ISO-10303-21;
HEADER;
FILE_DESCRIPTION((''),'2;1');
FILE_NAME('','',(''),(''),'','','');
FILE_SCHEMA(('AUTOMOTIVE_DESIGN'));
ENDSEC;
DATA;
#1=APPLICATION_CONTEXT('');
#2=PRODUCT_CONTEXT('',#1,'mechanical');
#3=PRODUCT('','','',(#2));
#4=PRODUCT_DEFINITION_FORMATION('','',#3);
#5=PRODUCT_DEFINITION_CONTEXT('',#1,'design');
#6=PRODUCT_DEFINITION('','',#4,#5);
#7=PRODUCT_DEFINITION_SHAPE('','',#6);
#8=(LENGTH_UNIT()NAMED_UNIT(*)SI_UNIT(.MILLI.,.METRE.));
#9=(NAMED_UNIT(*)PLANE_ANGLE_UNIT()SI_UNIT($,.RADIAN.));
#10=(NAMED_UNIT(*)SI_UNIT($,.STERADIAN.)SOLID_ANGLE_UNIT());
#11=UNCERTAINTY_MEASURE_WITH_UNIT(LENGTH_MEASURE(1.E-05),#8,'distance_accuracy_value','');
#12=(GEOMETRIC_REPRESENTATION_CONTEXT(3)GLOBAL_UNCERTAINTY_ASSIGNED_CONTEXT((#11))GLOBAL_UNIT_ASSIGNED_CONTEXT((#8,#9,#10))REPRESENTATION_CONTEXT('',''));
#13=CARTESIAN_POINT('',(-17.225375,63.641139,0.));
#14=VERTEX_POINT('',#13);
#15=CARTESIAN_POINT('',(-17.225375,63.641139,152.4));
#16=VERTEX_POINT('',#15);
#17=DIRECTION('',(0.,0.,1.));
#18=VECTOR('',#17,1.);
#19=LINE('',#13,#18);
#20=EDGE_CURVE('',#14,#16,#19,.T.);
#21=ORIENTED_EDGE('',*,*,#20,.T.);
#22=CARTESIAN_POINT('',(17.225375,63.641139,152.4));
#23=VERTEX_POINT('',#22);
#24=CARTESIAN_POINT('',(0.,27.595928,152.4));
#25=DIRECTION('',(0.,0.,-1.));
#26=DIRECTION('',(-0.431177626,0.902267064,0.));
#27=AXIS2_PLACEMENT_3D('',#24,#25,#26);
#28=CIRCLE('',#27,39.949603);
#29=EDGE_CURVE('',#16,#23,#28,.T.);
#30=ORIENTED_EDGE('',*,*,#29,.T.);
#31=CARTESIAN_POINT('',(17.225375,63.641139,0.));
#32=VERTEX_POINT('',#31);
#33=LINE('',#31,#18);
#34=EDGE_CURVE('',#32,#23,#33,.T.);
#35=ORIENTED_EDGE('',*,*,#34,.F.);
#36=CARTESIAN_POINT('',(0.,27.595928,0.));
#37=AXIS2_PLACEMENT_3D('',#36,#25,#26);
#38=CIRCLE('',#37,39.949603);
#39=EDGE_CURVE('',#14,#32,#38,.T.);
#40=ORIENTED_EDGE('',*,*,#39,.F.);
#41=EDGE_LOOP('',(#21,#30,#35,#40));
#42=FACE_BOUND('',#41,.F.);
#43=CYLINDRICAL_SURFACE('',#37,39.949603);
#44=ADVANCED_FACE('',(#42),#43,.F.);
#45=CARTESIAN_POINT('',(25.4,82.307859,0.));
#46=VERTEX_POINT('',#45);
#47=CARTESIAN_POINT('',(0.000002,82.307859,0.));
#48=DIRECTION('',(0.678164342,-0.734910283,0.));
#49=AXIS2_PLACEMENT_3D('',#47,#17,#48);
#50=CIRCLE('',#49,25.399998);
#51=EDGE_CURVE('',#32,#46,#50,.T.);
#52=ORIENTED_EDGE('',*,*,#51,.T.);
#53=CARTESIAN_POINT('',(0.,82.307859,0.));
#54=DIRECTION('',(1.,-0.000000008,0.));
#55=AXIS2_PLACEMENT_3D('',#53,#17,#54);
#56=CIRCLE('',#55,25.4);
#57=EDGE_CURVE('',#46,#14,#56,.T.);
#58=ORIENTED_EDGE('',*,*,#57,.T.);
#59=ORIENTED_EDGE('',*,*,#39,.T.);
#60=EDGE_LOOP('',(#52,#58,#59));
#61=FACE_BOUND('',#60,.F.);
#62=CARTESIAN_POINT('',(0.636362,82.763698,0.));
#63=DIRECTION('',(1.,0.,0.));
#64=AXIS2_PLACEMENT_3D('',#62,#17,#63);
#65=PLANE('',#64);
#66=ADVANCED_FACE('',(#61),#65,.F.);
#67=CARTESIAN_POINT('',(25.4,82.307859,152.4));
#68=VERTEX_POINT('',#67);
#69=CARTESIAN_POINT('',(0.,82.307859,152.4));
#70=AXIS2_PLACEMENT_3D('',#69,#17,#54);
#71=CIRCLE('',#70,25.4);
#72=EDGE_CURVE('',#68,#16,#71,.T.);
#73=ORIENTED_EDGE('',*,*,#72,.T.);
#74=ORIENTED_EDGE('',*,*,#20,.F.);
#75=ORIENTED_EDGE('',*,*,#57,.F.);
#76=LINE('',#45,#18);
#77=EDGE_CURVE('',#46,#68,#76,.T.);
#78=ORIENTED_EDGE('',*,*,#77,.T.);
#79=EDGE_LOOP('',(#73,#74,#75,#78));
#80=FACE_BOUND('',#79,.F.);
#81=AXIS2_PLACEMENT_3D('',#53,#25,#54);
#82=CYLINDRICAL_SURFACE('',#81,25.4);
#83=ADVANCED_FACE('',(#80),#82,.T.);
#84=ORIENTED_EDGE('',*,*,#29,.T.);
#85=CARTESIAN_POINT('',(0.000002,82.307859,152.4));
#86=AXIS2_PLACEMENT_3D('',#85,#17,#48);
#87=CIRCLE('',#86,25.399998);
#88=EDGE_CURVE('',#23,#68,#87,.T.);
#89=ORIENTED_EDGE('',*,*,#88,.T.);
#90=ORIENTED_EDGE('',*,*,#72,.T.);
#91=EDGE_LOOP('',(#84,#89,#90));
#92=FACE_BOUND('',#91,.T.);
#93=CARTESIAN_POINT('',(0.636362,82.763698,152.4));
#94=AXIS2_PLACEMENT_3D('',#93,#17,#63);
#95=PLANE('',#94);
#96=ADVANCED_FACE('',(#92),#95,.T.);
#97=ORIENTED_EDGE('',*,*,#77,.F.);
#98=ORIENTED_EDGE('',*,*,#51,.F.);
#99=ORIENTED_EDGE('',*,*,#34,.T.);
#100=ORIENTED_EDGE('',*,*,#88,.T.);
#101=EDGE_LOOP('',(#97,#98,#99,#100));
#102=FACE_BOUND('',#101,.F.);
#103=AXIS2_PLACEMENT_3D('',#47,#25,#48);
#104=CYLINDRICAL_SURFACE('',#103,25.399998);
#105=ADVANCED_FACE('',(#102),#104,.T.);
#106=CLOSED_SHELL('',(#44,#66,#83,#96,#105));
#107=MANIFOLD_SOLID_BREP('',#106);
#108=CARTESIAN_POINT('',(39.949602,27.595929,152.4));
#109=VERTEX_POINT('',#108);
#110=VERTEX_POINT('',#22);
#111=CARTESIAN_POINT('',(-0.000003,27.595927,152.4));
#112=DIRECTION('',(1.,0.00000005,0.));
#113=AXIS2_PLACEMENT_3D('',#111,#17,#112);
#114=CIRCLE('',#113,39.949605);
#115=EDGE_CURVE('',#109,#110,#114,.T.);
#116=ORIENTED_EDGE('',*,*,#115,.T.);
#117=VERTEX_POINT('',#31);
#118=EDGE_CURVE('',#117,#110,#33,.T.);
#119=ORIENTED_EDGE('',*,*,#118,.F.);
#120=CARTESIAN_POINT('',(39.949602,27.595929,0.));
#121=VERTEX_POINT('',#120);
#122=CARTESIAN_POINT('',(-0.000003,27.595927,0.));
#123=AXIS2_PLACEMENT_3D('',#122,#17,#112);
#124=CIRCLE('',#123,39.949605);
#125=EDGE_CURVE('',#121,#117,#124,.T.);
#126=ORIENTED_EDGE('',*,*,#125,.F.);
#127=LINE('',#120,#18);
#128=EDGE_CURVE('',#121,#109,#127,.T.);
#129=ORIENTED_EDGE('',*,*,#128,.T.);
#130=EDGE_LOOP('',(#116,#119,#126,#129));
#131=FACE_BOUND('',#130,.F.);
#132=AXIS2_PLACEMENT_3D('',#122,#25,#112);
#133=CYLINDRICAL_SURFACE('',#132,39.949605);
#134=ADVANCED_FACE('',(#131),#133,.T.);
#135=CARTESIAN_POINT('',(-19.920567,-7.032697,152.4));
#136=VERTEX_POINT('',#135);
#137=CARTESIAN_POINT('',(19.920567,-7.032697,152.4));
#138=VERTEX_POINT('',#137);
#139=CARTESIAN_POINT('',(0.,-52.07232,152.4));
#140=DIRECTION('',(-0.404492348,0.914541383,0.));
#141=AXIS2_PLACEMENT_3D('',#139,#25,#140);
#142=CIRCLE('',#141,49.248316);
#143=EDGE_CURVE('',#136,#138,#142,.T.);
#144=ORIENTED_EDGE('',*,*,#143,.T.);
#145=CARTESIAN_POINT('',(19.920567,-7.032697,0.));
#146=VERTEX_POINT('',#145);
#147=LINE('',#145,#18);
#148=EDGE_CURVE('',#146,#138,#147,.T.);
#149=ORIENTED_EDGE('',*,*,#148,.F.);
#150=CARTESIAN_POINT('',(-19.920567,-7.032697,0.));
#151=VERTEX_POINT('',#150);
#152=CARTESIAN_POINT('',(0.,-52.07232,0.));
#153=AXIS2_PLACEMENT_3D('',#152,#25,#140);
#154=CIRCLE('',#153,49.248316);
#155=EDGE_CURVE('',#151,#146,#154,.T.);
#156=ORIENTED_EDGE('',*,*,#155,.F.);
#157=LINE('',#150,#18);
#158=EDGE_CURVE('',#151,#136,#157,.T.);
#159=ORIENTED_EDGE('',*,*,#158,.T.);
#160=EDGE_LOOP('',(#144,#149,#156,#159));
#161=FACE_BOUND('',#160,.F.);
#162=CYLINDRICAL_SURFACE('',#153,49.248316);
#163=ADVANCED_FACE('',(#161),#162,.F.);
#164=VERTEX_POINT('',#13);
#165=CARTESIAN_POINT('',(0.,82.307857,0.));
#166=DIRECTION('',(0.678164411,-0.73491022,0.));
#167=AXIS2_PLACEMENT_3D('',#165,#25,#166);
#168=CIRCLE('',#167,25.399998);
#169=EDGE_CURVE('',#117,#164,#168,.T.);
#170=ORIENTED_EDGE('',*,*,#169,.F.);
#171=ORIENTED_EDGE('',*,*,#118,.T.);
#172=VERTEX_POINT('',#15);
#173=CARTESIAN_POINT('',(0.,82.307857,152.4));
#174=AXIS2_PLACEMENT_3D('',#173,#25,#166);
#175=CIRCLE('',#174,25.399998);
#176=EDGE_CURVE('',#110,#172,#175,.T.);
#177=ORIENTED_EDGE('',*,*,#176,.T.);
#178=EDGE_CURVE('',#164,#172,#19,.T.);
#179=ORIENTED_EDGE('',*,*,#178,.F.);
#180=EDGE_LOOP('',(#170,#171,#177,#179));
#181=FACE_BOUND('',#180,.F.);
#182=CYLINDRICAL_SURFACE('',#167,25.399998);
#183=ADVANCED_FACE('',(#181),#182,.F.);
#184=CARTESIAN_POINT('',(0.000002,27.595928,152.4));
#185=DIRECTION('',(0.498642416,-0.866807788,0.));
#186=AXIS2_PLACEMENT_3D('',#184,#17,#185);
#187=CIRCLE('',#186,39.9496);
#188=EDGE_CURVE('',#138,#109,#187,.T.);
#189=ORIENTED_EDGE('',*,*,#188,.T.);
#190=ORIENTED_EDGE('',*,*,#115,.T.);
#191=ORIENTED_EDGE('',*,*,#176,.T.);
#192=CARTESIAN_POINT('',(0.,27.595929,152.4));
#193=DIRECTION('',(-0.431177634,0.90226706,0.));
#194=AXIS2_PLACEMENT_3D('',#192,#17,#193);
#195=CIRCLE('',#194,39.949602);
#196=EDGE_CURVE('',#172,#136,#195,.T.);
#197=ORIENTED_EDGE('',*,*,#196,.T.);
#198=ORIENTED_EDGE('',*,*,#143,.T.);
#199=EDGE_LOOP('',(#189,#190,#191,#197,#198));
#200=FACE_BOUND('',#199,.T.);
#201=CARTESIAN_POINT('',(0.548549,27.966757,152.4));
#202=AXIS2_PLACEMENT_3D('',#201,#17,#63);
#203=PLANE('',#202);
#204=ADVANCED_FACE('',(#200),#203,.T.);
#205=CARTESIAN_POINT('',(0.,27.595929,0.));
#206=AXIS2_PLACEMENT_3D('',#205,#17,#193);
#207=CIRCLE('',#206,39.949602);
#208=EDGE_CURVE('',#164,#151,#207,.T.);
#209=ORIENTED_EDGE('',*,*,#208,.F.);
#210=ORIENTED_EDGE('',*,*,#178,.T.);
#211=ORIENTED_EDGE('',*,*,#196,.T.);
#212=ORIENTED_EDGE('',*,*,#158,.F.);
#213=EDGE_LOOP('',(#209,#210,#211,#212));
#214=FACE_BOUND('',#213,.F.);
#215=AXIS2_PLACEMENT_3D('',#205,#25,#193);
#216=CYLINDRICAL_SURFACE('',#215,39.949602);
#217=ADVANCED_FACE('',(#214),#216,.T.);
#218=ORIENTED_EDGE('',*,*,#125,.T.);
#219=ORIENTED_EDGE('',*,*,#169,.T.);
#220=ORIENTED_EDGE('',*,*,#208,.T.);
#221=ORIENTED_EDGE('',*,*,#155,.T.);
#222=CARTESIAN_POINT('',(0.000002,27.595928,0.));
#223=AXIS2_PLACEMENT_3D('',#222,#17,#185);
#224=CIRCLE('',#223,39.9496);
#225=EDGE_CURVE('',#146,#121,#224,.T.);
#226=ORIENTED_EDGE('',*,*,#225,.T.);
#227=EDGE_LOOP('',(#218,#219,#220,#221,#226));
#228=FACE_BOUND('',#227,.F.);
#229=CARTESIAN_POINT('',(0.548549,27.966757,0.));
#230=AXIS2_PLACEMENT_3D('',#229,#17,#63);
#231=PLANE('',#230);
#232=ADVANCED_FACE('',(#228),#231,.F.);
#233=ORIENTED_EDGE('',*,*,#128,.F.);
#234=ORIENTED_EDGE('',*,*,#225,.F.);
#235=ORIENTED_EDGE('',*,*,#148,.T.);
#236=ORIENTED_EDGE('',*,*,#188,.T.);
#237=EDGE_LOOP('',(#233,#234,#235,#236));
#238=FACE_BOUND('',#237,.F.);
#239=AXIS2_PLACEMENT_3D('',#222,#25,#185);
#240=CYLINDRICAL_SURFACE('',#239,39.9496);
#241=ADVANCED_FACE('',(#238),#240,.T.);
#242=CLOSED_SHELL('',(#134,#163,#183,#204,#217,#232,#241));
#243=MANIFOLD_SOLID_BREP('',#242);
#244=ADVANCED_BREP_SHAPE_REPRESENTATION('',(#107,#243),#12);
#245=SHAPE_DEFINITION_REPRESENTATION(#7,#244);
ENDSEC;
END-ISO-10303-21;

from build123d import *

# Parameters (mm, degrees)
F1_DEPTH = 152.4


with BuildPart() as f1:
    # F0 (on Top) → F1 (new body)
    with BuildSketch(Plane.XY):
        with BuildLine():
            ThreePointArc((-19.920567, -7.032697), (0, -2.824004), (19.920567, -7.032697))
            ThreePointArc((19.920567, -7.032697), (34.581711, 7.594029), (39.949602, 27.595929))
            ThreePointArc((39.949602, 27.595929), (33.79436, 48.901137), (17.225375, 63.641139))
            ThreePointArc((17.225375, 63.641139), (0, 56.907859), (-17.225375, 63.641139))
            ThreePointArc((-17.225375, 63.641139), (-39.920584, 29.118326), (-19.920567, -7.032697))
        make_face()
        with BuildLine():
            ThreePointArc((25.4, 82.307859), (-10.189099, 105.574622), (-17.225375, 63.641139))
            ThreePointArc((-17.225375, 63.641139), (0, 67.545531), (17.225375, 63.641139))
            ThreePointArc((17.225375, 63.641139), (23.266763, 72.11876), (25.4, 82.307859))
        make_face()
    extrude(amount=F1_DEPTH)


solid = f1.part
